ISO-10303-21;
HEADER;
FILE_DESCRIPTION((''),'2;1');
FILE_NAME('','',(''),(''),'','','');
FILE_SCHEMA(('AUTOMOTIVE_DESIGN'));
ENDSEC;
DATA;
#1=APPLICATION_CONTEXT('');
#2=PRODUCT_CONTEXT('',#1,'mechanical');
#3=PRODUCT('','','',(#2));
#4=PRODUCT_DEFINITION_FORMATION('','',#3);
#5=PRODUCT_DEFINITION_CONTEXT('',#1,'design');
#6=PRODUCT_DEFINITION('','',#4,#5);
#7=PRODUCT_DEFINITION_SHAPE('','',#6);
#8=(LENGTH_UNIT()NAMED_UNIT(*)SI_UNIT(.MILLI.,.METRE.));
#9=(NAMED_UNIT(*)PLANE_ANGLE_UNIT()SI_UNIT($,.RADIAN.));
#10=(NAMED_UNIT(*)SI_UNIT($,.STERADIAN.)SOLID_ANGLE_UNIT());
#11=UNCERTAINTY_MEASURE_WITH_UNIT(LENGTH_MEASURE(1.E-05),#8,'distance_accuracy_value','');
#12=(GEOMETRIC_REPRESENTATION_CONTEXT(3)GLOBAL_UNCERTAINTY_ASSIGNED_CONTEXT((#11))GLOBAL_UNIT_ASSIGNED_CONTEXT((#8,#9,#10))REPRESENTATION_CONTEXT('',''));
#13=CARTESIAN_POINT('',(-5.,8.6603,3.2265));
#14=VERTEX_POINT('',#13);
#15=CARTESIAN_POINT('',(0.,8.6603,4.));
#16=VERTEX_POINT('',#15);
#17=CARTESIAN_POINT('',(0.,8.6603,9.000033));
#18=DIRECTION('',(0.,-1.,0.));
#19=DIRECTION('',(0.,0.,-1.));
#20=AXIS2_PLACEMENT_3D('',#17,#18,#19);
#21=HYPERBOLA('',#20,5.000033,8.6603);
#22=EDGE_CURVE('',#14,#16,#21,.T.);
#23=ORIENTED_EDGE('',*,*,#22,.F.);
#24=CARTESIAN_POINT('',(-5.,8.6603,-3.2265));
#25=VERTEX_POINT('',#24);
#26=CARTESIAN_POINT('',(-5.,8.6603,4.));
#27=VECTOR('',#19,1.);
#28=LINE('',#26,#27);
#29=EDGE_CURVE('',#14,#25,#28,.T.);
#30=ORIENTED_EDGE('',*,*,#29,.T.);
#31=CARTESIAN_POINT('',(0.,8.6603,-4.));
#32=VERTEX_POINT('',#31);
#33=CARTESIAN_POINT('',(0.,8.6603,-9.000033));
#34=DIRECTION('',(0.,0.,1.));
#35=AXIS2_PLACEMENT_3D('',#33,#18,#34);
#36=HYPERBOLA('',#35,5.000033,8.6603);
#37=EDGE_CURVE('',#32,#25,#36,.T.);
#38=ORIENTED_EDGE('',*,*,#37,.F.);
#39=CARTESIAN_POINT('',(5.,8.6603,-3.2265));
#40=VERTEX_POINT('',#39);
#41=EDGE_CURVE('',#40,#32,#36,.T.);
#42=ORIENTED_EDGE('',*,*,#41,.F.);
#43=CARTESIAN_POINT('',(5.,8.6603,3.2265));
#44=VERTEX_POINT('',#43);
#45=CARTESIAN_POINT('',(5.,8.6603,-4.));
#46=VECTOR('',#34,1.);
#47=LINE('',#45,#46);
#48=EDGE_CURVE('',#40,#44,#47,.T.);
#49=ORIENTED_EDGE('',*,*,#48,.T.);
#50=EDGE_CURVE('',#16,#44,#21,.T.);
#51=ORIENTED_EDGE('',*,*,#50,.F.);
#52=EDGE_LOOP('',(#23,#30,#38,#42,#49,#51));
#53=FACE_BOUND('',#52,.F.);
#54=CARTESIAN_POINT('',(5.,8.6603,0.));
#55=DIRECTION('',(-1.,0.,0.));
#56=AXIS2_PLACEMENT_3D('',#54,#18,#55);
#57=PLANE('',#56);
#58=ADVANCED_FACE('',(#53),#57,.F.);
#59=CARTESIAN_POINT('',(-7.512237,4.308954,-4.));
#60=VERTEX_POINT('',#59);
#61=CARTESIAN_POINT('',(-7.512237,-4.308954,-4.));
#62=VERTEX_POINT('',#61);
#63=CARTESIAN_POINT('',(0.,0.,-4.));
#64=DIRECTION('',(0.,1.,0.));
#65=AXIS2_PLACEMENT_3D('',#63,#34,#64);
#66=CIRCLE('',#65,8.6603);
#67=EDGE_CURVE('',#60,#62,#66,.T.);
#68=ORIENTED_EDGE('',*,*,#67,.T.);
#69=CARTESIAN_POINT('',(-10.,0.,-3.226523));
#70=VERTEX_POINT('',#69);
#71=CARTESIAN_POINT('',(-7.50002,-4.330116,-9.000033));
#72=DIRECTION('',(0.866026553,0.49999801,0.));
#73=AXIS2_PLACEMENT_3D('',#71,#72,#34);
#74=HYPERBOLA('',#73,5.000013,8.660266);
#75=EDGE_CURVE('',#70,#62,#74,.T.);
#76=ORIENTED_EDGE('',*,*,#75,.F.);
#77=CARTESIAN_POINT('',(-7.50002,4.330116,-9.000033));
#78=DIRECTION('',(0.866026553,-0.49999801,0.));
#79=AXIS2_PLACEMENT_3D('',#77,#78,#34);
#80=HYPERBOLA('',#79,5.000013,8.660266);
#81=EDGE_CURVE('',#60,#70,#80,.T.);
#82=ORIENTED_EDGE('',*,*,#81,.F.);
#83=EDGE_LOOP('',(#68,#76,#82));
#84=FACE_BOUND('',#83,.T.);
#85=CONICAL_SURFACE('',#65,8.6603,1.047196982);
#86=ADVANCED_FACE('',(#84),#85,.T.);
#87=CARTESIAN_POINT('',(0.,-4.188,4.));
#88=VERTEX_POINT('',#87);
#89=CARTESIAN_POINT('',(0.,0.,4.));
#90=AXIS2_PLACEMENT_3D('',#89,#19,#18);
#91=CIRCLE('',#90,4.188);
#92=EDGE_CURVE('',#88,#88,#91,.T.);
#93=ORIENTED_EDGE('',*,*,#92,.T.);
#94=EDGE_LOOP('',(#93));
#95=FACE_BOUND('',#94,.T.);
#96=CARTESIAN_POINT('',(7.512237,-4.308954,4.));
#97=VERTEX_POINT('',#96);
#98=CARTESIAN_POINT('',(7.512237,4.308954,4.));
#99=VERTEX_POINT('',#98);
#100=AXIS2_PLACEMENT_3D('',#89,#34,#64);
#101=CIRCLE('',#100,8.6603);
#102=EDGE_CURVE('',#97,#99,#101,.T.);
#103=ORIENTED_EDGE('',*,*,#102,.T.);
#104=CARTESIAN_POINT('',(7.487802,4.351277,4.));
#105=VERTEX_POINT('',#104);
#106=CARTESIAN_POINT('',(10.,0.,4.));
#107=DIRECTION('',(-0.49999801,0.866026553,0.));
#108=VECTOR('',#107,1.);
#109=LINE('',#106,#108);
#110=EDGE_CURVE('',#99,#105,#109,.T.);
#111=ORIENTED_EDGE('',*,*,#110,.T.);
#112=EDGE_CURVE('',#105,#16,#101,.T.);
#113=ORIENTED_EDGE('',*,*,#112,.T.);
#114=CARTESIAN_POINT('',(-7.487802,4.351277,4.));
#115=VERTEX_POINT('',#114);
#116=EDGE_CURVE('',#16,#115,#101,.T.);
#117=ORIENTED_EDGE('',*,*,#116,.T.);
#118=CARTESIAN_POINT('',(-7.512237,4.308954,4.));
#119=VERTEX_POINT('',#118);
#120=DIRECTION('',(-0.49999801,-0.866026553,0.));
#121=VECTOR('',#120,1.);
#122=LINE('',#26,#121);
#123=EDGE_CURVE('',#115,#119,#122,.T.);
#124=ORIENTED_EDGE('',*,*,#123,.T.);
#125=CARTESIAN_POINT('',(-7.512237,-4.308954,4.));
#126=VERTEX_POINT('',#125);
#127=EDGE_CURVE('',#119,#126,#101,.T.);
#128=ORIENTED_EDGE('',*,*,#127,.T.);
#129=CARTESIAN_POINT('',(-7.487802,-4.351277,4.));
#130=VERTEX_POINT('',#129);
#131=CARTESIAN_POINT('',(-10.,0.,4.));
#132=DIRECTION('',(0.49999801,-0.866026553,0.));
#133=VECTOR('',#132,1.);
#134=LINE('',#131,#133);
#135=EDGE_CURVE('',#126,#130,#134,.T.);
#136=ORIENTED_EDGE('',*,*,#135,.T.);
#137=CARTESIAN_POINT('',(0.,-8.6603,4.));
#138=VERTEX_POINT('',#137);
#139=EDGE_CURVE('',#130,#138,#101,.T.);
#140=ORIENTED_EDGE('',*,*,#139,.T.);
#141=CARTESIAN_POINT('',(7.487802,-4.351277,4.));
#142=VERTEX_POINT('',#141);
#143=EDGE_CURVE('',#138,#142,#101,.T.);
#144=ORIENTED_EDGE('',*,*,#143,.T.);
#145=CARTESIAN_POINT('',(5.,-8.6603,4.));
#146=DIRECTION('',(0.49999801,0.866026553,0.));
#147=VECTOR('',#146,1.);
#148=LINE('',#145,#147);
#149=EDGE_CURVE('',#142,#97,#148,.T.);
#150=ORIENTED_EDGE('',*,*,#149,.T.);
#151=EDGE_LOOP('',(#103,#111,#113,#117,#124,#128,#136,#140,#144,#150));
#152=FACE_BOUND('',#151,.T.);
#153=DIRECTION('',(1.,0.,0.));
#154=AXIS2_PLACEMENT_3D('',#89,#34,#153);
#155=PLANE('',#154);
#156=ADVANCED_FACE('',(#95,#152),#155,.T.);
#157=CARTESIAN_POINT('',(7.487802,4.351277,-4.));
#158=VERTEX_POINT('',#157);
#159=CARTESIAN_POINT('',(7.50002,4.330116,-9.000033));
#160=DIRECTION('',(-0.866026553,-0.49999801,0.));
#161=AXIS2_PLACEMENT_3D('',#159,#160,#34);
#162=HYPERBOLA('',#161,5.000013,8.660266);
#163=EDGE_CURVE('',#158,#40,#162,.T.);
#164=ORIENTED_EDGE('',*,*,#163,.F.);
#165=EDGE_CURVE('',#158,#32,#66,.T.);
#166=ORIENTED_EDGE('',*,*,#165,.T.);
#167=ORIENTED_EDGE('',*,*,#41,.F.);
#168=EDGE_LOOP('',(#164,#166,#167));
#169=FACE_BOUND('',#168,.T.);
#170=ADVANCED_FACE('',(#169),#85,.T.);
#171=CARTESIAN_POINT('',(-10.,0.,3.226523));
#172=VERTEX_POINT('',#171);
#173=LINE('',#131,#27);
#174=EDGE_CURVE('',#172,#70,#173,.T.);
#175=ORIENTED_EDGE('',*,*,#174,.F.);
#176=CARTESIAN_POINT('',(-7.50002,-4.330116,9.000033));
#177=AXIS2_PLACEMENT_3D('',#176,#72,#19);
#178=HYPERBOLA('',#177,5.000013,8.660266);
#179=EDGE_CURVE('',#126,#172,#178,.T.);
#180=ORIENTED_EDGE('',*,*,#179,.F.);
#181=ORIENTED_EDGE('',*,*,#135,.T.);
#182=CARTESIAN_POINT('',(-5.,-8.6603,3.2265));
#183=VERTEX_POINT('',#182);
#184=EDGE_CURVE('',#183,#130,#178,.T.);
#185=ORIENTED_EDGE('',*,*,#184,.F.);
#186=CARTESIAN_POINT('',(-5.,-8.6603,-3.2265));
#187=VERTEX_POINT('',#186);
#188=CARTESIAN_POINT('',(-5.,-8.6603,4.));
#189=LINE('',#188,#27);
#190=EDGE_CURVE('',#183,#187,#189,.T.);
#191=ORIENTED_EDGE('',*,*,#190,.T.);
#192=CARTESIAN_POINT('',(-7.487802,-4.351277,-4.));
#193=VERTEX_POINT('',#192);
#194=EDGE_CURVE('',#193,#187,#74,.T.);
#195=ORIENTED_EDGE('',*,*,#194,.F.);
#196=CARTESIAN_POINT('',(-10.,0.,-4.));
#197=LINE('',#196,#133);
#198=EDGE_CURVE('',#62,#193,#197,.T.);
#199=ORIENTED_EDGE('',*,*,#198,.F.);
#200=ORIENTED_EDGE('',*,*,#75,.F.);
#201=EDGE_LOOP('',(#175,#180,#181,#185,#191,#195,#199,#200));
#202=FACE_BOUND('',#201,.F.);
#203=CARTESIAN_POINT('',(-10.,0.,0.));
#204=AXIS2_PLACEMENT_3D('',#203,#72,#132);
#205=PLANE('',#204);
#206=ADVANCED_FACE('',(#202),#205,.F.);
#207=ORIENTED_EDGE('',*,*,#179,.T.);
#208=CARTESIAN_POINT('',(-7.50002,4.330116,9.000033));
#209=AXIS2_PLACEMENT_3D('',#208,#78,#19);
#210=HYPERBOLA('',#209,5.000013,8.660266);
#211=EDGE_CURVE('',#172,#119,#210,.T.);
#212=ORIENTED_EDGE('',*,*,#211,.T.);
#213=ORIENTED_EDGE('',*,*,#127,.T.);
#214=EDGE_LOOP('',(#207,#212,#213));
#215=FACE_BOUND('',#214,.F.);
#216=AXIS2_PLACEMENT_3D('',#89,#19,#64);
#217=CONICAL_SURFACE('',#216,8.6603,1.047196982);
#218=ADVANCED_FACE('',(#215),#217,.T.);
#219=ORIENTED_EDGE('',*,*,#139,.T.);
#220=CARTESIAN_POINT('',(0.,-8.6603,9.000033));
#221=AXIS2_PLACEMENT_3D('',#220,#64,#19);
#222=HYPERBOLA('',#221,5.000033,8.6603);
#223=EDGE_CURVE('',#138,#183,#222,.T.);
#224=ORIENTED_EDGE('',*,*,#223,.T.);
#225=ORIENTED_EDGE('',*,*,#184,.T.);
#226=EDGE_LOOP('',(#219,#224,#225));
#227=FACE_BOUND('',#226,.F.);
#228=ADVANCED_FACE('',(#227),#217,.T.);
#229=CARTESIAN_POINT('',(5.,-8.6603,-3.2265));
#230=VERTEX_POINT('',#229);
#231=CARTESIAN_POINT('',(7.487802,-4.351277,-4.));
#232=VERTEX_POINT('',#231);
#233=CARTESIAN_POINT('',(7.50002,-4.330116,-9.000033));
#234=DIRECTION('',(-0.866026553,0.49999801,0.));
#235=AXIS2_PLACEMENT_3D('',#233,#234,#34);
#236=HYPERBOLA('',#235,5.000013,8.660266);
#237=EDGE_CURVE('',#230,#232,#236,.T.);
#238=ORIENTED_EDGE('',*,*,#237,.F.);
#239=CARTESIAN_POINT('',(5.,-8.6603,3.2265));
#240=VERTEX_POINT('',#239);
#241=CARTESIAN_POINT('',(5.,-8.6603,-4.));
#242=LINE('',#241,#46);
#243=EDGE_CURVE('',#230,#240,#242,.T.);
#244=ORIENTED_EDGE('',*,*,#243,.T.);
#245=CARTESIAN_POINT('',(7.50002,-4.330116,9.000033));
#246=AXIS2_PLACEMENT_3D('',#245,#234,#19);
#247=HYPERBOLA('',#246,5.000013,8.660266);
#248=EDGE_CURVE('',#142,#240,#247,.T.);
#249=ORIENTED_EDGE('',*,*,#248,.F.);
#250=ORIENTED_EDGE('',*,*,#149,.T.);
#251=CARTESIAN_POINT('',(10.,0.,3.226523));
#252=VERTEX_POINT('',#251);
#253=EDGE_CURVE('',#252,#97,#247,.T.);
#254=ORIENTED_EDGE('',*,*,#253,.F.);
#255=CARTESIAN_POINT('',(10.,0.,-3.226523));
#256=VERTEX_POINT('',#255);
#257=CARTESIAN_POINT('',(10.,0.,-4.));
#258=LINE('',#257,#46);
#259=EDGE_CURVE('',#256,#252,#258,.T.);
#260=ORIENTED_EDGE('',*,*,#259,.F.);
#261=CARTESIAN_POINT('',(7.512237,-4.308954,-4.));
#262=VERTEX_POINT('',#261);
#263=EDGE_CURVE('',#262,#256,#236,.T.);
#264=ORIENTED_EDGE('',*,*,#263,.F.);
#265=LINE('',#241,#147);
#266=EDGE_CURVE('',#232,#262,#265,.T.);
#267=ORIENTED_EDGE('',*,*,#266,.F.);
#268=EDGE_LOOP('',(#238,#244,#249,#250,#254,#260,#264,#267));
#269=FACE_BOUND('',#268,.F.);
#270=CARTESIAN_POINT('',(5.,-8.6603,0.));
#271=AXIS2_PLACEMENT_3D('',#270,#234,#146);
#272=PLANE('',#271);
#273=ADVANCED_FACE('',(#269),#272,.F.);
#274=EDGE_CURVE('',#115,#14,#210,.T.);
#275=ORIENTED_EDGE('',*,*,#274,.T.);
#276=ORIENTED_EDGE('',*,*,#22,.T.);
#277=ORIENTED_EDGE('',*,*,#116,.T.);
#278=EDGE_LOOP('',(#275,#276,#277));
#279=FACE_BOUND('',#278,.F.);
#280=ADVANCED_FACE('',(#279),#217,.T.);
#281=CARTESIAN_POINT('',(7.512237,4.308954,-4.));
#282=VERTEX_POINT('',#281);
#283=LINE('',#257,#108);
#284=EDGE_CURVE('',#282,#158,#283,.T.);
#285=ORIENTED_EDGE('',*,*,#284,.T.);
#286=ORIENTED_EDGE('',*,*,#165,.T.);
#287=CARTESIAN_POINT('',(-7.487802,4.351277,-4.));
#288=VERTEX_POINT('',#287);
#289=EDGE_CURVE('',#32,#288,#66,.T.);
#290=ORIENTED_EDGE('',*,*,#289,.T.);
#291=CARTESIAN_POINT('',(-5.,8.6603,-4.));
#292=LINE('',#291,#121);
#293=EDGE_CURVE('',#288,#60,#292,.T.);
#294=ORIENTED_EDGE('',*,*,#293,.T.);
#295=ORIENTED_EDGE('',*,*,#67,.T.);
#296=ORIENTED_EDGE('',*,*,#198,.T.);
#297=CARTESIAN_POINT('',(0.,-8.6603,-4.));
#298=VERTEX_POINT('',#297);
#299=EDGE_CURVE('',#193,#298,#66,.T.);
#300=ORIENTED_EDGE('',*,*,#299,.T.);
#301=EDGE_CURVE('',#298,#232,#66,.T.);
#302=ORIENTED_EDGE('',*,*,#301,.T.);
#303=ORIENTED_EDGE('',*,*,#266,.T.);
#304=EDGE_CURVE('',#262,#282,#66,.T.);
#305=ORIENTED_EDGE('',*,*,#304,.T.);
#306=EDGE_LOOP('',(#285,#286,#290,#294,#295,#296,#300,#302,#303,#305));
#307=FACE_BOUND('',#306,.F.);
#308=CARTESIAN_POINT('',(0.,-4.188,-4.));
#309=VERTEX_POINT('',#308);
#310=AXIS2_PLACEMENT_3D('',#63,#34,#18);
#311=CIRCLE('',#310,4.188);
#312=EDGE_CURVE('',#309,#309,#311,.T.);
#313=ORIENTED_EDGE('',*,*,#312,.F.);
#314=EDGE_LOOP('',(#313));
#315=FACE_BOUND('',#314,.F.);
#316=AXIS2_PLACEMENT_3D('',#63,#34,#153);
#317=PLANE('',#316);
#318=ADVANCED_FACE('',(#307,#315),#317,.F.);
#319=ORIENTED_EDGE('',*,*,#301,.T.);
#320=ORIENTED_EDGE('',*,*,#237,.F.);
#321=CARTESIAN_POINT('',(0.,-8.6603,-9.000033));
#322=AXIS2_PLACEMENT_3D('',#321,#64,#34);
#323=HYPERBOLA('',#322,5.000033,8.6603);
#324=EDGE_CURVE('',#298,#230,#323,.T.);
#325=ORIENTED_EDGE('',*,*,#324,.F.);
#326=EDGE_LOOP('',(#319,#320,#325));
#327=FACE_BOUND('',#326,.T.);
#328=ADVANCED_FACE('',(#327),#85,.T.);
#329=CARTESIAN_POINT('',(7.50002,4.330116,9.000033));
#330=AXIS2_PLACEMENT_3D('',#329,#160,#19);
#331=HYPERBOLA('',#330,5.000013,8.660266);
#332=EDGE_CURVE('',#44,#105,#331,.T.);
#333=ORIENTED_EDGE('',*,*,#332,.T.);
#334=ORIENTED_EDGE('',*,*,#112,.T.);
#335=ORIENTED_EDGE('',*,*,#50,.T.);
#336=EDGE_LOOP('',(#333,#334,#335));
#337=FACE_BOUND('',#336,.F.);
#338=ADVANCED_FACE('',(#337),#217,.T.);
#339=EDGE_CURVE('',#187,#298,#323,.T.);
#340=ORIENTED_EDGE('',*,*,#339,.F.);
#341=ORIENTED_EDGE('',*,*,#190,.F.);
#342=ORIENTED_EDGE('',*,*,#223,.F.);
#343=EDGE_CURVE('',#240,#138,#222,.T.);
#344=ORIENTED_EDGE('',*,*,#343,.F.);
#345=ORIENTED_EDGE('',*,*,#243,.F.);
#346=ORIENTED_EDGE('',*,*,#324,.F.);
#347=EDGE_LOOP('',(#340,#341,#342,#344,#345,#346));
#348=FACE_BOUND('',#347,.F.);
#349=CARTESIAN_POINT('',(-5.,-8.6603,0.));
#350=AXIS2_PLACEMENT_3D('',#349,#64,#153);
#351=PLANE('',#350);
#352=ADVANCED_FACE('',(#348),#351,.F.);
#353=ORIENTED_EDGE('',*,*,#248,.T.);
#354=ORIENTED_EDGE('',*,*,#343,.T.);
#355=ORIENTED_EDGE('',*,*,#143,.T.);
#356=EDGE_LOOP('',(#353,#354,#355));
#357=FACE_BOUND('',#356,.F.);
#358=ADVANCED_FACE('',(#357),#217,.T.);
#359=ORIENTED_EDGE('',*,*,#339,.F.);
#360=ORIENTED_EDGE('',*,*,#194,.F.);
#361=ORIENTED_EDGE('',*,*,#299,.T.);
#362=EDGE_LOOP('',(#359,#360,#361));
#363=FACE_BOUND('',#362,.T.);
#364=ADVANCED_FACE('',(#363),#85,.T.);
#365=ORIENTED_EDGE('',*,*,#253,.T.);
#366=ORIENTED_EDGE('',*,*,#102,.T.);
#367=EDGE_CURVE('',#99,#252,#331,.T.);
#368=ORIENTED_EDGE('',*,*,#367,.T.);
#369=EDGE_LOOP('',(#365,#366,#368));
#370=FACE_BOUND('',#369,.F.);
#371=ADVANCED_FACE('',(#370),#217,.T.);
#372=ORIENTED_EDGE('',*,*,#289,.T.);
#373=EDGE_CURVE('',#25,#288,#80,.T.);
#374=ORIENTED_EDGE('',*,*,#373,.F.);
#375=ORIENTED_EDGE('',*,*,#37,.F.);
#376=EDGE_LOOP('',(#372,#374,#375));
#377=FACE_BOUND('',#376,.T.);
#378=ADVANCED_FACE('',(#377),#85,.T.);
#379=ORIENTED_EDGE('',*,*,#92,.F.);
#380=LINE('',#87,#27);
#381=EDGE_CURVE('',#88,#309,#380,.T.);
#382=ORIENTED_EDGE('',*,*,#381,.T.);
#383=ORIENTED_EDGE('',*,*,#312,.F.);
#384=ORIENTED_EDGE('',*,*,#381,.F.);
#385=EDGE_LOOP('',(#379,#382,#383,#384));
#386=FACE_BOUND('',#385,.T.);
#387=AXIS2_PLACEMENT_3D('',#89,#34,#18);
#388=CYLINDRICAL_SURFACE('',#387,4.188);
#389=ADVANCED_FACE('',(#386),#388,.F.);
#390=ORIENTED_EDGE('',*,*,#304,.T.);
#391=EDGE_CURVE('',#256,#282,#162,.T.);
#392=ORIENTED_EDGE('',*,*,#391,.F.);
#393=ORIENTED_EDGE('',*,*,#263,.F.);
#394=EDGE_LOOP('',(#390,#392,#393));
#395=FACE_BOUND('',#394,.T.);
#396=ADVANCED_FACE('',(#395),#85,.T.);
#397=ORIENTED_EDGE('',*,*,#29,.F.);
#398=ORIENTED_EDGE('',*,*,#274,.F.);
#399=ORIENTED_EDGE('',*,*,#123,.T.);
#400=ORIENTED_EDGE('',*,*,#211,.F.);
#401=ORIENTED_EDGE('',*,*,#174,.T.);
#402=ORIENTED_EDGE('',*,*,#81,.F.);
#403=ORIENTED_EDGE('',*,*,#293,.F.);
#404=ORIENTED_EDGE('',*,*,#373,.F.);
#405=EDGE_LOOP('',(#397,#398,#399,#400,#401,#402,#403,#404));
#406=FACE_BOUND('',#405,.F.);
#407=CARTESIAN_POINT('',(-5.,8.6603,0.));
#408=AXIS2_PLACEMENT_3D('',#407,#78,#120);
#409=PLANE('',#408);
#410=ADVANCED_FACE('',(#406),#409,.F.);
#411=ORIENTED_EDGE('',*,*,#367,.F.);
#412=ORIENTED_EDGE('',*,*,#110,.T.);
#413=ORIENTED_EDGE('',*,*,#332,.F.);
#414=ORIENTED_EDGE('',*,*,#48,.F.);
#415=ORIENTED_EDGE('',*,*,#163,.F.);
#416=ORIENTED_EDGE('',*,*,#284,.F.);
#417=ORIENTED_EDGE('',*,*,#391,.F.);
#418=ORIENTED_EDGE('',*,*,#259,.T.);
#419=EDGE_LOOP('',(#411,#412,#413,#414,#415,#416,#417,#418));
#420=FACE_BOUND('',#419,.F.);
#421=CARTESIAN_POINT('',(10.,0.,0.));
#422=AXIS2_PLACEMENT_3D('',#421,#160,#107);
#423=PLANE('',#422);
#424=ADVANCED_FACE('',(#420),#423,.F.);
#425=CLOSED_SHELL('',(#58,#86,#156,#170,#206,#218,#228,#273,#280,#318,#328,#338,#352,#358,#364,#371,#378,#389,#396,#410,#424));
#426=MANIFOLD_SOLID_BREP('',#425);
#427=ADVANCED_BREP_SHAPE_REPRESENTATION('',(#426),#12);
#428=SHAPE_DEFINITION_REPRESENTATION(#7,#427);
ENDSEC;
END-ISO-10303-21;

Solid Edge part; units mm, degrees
sketch "Sketch1" plane through (0, 0, 0) normal (0, 0, 1) x (1, 0, 0)
  line L0 (-5, -8.6603) -> (5, -8.6603)
  line L1 (5, -8.6603) -> (10, 0)
  line L2 (10, 0) -> (5, 8.6603)
  line L3 (5, 8.6603) -> (-5, 8.6603)
  line L4 (-5, 8.6603) -> (-10, 0)
  line L5 (-10, 0) -> (-5, -8.6603)
extrude "Protrusion1" add sketch "Sketch1" along normal mid plane 8
hole "Hole_1" at (0, 0, 4) direction (0, 0, -1) diameter 8.376 end through all
sketch "Sketch2" plane through (0, 0, 0) normal (1, 0, 0) x (0, 1, 0)
  line L0 (8.6603, -4) -> (27.7764, 7.0367)
revolve "RevolvedCutout1" cut sketch "Sketch2" angle 360 about axis through (0, 0, -57) along (0, 0, 1) material side at (0, 18.2434, 1.475)
mirror "Mirror1" about plane through (0, 0, 0) normal (0, 0, 1) of "RevolvedCutout1"
properties part number "7" material "Fe 410 W"
